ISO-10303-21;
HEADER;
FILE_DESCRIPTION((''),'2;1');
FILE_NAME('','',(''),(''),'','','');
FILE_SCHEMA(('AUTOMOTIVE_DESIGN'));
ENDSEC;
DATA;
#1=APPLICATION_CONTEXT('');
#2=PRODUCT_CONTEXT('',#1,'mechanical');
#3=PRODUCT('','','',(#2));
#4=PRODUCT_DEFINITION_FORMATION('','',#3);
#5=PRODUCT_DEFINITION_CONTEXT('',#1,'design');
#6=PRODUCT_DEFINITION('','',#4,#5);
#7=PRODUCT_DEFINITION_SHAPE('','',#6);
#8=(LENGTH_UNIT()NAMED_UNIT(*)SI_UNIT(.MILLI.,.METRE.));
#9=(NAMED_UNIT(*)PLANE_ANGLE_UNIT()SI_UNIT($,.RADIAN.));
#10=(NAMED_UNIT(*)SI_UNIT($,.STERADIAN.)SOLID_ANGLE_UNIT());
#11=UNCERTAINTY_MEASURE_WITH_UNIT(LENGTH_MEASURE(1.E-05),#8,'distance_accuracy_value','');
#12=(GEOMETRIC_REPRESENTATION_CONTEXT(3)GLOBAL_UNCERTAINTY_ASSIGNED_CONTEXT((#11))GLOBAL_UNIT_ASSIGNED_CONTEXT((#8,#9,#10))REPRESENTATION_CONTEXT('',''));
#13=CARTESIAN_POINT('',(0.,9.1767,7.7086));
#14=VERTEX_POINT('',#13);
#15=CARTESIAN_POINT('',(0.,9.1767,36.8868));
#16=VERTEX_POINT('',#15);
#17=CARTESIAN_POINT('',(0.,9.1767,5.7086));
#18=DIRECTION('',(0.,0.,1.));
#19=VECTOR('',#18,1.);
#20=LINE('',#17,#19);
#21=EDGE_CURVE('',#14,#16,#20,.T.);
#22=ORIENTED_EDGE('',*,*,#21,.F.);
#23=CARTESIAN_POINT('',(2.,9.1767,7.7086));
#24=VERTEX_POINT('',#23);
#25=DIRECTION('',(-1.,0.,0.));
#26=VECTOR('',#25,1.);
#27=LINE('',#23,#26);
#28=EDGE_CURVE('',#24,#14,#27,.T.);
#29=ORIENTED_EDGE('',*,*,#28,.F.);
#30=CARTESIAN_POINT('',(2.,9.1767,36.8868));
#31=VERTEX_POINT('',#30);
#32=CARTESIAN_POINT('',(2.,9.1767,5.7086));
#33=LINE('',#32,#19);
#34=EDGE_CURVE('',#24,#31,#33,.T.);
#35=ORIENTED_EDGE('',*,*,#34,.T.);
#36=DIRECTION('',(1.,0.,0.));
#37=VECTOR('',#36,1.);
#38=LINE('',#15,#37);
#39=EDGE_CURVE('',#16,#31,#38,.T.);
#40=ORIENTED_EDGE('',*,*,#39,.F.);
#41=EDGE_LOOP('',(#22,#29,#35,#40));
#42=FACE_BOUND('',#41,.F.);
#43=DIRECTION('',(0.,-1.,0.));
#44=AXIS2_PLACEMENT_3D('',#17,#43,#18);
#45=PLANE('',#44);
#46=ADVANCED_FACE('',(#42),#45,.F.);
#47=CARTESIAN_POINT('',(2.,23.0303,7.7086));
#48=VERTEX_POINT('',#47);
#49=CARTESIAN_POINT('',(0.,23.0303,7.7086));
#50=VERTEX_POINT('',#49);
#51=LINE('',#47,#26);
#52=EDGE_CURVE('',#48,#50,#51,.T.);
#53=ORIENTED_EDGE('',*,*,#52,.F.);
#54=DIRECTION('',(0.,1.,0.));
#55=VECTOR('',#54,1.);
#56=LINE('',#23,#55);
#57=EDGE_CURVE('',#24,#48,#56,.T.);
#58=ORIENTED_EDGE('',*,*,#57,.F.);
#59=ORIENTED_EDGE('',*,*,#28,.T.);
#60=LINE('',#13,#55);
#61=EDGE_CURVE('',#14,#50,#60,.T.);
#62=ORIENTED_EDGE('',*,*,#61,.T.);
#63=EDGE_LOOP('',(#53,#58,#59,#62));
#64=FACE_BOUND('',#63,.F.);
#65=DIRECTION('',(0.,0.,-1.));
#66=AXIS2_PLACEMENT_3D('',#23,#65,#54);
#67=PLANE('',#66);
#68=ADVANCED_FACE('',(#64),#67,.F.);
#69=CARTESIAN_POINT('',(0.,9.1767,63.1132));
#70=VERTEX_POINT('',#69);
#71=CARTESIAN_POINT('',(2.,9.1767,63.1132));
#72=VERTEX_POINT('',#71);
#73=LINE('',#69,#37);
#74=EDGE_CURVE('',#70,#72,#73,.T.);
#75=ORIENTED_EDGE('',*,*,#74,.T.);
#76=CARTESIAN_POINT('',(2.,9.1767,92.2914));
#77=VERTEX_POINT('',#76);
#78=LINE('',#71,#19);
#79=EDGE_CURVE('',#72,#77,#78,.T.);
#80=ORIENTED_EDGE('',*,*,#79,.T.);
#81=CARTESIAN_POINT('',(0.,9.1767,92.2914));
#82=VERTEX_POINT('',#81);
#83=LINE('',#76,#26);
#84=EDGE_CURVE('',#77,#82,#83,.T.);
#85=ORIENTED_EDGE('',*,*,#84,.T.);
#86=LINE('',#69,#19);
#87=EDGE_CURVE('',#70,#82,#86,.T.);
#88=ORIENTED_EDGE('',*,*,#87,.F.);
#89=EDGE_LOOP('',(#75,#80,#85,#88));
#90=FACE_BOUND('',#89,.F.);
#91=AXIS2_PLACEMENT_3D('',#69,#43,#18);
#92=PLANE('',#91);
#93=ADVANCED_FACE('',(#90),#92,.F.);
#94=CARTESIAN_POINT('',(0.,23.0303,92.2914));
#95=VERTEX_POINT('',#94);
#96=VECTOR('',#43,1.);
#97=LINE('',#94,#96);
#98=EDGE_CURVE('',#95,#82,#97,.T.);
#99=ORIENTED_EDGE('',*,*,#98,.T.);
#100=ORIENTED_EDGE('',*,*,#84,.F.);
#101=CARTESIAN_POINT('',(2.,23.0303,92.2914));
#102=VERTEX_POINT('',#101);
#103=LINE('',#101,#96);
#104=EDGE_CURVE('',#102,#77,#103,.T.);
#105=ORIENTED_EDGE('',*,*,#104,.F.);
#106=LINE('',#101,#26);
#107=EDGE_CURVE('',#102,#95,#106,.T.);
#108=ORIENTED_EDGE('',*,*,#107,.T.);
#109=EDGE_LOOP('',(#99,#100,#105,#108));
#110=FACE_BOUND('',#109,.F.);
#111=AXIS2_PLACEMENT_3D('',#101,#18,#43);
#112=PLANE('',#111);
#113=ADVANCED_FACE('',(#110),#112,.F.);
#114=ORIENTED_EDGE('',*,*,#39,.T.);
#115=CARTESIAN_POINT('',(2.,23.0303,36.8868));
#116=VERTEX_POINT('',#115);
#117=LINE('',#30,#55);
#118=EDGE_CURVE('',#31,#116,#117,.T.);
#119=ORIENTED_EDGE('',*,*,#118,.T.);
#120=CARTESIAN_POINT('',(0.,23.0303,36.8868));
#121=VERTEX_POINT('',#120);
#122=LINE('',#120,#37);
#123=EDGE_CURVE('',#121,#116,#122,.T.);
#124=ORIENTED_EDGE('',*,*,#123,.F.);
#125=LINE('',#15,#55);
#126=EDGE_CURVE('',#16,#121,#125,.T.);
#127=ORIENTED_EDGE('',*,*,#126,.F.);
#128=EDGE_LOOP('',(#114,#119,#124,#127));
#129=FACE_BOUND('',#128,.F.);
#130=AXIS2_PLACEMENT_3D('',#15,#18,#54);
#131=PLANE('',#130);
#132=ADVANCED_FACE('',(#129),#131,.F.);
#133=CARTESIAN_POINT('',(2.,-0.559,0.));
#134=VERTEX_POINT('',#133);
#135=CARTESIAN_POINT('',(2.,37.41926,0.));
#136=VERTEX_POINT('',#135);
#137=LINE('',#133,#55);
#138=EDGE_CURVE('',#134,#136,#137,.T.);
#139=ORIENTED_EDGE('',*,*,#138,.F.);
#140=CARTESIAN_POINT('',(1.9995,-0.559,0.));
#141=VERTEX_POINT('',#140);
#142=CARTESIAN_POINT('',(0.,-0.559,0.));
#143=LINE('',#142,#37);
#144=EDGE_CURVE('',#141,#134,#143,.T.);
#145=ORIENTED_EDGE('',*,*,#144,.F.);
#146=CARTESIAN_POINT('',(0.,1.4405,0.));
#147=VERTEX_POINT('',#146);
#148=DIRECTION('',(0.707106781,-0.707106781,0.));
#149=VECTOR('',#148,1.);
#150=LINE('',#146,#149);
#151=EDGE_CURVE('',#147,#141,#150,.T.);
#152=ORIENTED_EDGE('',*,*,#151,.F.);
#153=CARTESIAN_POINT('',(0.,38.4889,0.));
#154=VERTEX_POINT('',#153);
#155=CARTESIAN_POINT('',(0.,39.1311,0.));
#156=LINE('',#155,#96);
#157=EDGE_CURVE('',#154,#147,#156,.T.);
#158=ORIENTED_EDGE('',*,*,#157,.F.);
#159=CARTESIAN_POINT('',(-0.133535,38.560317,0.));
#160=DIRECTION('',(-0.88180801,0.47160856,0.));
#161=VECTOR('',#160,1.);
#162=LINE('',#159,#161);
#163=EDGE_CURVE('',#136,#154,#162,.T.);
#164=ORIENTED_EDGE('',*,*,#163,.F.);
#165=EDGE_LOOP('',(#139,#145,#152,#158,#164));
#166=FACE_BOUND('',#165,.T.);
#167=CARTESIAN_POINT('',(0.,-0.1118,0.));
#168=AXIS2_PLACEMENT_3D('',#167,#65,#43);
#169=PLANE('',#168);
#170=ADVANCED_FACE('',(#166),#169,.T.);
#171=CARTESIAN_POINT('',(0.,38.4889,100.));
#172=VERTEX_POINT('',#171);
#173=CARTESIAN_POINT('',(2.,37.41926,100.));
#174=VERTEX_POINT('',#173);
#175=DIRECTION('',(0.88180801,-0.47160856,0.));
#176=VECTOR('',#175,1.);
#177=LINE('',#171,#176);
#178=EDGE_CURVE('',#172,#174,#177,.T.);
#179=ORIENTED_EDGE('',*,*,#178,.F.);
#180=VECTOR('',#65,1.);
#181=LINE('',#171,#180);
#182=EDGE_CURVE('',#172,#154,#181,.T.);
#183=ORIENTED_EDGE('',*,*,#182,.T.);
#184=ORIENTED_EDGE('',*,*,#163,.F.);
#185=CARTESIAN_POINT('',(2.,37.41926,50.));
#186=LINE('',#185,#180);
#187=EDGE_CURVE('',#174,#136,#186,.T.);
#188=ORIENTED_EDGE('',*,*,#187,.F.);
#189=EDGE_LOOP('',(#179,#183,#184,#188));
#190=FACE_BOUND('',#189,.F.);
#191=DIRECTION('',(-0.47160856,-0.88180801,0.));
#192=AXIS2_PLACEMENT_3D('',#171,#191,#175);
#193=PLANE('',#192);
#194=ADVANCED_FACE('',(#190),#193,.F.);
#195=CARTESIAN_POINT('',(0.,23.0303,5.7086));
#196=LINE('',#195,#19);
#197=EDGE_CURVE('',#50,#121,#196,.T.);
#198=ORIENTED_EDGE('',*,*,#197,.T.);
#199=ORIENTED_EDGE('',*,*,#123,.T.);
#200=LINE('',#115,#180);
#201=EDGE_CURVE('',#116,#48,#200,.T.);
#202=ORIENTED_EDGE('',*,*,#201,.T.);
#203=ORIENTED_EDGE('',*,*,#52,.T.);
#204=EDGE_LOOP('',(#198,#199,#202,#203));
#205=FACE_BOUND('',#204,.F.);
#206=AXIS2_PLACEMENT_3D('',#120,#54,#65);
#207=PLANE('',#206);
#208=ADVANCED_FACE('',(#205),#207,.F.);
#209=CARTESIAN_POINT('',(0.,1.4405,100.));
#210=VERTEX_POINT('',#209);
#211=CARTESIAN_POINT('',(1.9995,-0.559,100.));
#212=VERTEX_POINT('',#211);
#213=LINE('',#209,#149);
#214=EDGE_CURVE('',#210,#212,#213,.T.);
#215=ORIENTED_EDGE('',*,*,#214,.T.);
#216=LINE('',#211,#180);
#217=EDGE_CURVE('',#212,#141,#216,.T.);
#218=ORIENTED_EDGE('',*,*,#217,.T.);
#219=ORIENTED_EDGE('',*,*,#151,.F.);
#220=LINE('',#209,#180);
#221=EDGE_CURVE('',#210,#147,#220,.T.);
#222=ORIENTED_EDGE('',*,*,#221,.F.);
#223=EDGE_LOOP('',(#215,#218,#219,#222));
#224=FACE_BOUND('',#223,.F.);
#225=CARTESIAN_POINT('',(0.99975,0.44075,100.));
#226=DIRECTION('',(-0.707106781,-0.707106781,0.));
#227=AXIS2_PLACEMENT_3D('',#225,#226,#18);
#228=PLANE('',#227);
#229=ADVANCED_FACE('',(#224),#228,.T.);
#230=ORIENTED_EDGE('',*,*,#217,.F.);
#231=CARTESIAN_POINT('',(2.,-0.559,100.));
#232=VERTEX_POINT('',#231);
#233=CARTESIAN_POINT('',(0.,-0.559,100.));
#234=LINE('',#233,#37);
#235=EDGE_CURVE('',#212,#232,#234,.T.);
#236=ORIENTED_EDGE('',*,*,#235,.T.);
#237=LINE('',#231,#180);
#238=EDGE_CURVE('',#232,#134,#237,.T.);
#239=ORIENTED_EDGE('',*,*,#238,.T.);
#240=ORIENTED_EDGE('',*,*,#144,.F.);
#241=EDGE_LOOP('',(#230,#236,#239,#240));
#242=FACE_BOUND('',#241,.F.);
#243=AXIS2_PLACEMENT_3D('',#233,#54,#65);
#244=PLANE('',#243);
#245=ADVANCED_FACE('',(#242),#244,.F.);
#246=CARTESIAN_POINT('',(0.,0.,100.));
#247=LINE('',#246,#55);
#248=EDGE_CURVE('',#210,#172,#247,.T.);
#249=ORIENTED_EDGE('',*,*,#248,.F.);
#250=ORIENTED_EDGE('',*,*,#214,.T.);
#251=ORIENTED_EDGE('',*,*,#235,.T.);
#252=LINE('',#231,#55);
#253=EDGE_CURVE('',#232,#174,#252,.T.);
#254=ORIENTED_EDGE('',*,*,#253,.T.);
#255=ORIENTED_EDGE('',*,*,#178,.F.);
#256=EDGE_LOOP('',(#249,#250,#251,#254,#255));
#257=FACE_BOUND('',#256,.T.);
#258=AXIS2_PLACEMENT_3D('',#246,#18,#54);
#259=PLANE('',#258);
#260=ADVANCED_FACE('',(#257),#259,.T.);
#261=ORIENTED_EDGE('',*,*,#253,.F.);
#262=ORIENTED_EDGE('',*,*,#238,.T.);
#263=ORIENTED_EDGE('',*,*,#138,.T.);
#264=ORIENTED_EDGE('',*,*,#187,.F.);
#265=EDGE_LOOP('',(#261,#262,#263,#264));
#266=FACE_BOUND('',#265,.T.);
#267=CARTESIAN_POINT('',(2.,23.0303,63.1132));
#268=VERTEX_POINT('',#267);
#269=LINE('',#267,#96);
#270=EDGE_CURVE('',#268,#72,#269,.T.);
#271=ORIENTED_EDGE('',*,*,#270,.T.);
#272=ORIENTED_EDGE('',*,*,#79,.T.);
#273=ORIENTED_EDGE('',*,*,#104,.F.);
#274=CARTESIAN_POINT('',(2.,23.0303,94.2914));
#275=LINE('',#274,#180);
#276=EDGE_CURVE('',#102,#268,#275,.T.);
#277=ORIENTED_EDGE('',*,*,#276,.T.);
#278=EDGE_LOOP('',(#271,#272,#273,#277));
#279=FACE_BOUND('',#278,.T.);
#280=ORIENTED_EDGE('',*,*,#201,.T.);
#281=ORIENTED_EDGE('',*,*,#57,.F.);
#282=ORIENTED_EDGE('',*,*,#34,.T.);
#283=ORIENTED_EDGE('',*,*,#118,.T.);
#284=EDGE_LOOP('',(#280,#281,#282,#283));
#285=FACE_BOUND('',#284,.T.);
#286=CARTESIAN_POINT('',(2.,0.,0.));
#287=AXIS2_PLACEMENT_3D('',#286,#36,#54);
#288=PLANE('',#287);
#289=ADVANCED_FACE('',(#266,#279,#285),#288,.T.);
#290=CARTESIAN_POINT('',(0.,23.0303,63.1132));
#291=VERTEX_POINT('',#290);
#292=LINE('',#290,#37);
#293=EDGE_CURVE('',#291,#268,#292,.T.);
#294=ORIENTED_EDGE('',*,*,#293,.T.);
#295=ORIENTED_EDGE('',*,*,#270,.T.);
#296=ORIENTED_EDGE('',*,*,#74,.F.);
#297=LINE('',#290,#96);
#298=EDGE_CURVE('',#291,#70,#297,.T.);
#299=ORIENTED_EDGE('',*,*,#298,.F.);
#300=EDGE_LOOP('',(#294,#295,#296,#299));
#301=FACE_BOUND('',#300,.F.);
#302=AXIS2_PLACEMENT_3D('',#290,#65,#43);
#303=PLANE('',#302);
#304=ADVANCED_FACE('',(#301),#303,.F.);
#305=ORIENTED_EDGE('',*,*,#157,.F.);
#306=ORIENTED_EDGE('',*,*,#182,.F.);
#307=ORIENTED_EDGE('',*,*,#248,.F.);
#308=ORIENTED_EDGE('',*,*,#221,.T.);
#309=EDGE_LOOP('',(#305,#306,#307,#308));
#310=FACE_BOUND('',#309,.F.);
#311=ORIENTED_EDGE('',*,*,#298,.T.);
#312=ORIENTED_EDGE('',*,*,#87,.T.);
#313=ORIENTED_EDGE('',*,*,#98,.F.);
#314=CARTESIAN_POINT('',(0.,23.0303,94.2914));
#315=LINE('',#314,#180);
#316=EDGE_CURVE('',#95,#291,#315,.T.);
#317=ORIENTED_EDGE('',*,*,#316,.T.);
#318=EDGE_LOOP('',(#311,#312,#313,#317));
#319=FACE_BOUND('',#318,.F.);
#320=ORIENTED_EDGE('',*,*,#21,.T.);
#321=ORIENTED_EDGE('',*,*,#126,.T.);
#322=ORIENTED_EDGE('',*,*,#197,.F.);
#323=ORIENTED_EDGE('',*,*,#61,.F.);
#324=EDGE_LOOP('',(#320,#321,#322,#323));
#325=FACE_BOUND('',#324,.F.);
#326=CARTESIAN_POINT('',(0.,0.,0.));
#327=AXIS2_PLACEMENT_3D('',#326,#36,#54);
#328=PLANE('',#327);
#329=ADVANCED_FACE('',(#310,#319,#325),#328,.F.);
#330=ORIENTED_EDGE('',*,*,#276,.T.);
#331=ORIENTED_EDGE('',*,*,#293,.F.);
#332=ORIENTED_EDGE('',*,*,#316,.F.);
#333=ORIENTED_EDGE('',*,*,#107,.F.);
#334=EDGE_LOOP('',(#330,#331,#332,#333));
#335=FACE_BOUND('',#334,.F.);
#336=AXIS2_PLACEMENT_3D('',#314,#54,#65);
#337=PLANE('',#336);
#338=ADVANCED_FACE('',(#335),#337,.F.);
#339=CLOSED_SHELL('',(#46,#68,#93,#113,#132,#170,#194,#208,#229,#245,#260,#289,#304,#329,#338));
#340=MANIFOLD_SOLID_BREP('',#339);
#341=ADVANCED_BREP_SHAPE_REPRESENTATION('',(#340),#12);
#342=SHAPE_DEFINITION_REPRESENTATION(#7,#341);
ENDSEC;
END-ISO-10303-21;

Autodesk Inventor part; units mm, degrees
ref_plane "YZ Plane" through (0, 0, 0) normal (1, 0, 0) x (0, 1, 0)
ref_plane "XZ Plane" through (0, 0, 0) normal (0, 1, 0) x (-1, 0, 0)
ref_plane "XY Plane" through (0, 0, 0) normal (0, 0, 1) x (1, 0, 0)
sketch "Szkic1" plane through (0, 0, 0) normal (1, 0, 0) x (0, 1, 0)
  line L0 (9.1767, 36.8868) -> (23.0303, 36.8868)
  line L1 (23.0303, 36.8868) -> (23.0303, 8.0794)
  line L2 (22.5303, 5.7086) -> (9.1767, 5.7086)
  line L3 (9.1767, 5.7086) -> (9.1767, 36.8868)
  line L4 (0, 100) -> (39.1311, 100)
  line L5 (39.1311, 0) -> (0, 0)
  line L6 (23.0303, 63.1132) -> (9.1767, 63.1132)
  line L7 (9.1767, 63.1132) -> (9.1767, 94.2914)
  line L8 (9.1767, 94.2914) -> (23.0303, 94.2914)
  line L9 (23.0303, 94.2914) -> (23.0303, 63.1132)
  line L10 (39.1311, 100) -> (40.1311, 100)
  line L11 (40.1311, 0) -> (39.1311, 0)
  line L12 (40.1311, 100) -> (40.1311, 0)
  line L13 (-0.559, 100) -> (-0.1118, 100)
  line L14 (-0.559, 100) -> (-0.559, 0)
  line L15 (-0.1118, 0) -> (-0.559, 0)
  line L16 (-0.1118, 100) -> (0.1125, 100)
  line L17 (23.0303, 8.0794) -> (23.0303, 5.7086)
  line L18 (23.0303, 5.7086) -> (22.5303, 5.7086)
  line L19 (40.1311, 100) -> (-0.559, 100)
  line L20 (-0.559, 100) -> (-0.559, 0)
  line L21 (-0.559, 0) -> (40.1311, 0)
  line L22 (40.1311, 0) -> (40.1311, 100)
  point P0 (11.7487, 100)
extrude "Wyciągnięcie proste1" add sketch "Szkic1" along normal blind 2
chamfer "Faza1" distance 2 angle 45 2 edges at (0, -0.559, 50) (2, 40.1311, 50)
sketch "Szkic2" plane through (0, 1.441, 100) normal (0, 0, 1) x (1, 0, 0)
  line L0 (0, 37.0479) -> (-58.736, 68.461) projected
  line L1 (0, 37.0479) -> (5, 34.3738)
  line L2 (5, 34.3738) -> (2.5, 39)
  line L3 (2.5, 39) -> (-2, 40)
  line L4 (-2, 40) -> (-2.3739, 38.3175)
  point P0 (0, -1.441)
extrude "Wyciągnięcie proste2" cut sketch "Szkic2" against normal through all
sketch "Szkic3" plane through (2, 0, 0) normal (1, 0, 0) x (0, 0, -1)
  line L0 (-94.2914, 9.1767) -> (-94.2914, 23.0303) projected
  line L1 (-94.2914, 23.0303) -> (-63.1132, 23.0303) projected
  line L2 (-63.1132, 9.1767) -> (-94.2914, 9.1767) projected
  line L3 (-5.7086, 9.1767) -> (-36.8868, 9.1767) projected
  line L4 (-36.8868, 23.0303) -> (-5.7086, 23.0303) projected
  line L5 (-5.7086, 23.0303) -> (-5.7086, 9.1767) projected
  line L6 (-63.1132, 9.1767) -> (-94.2914, 9.1767) projected
  line L7 (-94.2914, 23.0303) -> (-92.2914, 23.0303)
  line L8 (-92.2914, 23.0303) -> (-92.2914, 9.1767)
  line L9 (-92.2914, 9.1767) -> (-94.2914, 9.1767)
  line L10 (-94.2914, 9.1767) -> (-94.2914, 23.0303)
  line L11 (-5.7086, 9.1767) -> (-36.8868, 9.1767) projected
  line L12 (-36.8868, 23.0303) -> (-5.7086, 23.0303) projected
  line L13 (-5.7086, 9.1767) -> (-7.7086, 9.1767)
  line L14 (-7.7086, 9.1767) -> (-7.7086, 23.0303)
  line L15 (-7.7086, 23.0303) -> (-5.7086, 23.0303)
  line L16 (-5.7086, 23.0303) -> (-5.7086, 9.1767)
  point P0 (0, 0)
  dimension "d7" = 2
  dimension "d8" = 2
extrude "Wyciągnięcie proste3" add sketch "Szkic3" against normal blind 2
properties part number "plug_nowy" material "Aluminium 6061"
